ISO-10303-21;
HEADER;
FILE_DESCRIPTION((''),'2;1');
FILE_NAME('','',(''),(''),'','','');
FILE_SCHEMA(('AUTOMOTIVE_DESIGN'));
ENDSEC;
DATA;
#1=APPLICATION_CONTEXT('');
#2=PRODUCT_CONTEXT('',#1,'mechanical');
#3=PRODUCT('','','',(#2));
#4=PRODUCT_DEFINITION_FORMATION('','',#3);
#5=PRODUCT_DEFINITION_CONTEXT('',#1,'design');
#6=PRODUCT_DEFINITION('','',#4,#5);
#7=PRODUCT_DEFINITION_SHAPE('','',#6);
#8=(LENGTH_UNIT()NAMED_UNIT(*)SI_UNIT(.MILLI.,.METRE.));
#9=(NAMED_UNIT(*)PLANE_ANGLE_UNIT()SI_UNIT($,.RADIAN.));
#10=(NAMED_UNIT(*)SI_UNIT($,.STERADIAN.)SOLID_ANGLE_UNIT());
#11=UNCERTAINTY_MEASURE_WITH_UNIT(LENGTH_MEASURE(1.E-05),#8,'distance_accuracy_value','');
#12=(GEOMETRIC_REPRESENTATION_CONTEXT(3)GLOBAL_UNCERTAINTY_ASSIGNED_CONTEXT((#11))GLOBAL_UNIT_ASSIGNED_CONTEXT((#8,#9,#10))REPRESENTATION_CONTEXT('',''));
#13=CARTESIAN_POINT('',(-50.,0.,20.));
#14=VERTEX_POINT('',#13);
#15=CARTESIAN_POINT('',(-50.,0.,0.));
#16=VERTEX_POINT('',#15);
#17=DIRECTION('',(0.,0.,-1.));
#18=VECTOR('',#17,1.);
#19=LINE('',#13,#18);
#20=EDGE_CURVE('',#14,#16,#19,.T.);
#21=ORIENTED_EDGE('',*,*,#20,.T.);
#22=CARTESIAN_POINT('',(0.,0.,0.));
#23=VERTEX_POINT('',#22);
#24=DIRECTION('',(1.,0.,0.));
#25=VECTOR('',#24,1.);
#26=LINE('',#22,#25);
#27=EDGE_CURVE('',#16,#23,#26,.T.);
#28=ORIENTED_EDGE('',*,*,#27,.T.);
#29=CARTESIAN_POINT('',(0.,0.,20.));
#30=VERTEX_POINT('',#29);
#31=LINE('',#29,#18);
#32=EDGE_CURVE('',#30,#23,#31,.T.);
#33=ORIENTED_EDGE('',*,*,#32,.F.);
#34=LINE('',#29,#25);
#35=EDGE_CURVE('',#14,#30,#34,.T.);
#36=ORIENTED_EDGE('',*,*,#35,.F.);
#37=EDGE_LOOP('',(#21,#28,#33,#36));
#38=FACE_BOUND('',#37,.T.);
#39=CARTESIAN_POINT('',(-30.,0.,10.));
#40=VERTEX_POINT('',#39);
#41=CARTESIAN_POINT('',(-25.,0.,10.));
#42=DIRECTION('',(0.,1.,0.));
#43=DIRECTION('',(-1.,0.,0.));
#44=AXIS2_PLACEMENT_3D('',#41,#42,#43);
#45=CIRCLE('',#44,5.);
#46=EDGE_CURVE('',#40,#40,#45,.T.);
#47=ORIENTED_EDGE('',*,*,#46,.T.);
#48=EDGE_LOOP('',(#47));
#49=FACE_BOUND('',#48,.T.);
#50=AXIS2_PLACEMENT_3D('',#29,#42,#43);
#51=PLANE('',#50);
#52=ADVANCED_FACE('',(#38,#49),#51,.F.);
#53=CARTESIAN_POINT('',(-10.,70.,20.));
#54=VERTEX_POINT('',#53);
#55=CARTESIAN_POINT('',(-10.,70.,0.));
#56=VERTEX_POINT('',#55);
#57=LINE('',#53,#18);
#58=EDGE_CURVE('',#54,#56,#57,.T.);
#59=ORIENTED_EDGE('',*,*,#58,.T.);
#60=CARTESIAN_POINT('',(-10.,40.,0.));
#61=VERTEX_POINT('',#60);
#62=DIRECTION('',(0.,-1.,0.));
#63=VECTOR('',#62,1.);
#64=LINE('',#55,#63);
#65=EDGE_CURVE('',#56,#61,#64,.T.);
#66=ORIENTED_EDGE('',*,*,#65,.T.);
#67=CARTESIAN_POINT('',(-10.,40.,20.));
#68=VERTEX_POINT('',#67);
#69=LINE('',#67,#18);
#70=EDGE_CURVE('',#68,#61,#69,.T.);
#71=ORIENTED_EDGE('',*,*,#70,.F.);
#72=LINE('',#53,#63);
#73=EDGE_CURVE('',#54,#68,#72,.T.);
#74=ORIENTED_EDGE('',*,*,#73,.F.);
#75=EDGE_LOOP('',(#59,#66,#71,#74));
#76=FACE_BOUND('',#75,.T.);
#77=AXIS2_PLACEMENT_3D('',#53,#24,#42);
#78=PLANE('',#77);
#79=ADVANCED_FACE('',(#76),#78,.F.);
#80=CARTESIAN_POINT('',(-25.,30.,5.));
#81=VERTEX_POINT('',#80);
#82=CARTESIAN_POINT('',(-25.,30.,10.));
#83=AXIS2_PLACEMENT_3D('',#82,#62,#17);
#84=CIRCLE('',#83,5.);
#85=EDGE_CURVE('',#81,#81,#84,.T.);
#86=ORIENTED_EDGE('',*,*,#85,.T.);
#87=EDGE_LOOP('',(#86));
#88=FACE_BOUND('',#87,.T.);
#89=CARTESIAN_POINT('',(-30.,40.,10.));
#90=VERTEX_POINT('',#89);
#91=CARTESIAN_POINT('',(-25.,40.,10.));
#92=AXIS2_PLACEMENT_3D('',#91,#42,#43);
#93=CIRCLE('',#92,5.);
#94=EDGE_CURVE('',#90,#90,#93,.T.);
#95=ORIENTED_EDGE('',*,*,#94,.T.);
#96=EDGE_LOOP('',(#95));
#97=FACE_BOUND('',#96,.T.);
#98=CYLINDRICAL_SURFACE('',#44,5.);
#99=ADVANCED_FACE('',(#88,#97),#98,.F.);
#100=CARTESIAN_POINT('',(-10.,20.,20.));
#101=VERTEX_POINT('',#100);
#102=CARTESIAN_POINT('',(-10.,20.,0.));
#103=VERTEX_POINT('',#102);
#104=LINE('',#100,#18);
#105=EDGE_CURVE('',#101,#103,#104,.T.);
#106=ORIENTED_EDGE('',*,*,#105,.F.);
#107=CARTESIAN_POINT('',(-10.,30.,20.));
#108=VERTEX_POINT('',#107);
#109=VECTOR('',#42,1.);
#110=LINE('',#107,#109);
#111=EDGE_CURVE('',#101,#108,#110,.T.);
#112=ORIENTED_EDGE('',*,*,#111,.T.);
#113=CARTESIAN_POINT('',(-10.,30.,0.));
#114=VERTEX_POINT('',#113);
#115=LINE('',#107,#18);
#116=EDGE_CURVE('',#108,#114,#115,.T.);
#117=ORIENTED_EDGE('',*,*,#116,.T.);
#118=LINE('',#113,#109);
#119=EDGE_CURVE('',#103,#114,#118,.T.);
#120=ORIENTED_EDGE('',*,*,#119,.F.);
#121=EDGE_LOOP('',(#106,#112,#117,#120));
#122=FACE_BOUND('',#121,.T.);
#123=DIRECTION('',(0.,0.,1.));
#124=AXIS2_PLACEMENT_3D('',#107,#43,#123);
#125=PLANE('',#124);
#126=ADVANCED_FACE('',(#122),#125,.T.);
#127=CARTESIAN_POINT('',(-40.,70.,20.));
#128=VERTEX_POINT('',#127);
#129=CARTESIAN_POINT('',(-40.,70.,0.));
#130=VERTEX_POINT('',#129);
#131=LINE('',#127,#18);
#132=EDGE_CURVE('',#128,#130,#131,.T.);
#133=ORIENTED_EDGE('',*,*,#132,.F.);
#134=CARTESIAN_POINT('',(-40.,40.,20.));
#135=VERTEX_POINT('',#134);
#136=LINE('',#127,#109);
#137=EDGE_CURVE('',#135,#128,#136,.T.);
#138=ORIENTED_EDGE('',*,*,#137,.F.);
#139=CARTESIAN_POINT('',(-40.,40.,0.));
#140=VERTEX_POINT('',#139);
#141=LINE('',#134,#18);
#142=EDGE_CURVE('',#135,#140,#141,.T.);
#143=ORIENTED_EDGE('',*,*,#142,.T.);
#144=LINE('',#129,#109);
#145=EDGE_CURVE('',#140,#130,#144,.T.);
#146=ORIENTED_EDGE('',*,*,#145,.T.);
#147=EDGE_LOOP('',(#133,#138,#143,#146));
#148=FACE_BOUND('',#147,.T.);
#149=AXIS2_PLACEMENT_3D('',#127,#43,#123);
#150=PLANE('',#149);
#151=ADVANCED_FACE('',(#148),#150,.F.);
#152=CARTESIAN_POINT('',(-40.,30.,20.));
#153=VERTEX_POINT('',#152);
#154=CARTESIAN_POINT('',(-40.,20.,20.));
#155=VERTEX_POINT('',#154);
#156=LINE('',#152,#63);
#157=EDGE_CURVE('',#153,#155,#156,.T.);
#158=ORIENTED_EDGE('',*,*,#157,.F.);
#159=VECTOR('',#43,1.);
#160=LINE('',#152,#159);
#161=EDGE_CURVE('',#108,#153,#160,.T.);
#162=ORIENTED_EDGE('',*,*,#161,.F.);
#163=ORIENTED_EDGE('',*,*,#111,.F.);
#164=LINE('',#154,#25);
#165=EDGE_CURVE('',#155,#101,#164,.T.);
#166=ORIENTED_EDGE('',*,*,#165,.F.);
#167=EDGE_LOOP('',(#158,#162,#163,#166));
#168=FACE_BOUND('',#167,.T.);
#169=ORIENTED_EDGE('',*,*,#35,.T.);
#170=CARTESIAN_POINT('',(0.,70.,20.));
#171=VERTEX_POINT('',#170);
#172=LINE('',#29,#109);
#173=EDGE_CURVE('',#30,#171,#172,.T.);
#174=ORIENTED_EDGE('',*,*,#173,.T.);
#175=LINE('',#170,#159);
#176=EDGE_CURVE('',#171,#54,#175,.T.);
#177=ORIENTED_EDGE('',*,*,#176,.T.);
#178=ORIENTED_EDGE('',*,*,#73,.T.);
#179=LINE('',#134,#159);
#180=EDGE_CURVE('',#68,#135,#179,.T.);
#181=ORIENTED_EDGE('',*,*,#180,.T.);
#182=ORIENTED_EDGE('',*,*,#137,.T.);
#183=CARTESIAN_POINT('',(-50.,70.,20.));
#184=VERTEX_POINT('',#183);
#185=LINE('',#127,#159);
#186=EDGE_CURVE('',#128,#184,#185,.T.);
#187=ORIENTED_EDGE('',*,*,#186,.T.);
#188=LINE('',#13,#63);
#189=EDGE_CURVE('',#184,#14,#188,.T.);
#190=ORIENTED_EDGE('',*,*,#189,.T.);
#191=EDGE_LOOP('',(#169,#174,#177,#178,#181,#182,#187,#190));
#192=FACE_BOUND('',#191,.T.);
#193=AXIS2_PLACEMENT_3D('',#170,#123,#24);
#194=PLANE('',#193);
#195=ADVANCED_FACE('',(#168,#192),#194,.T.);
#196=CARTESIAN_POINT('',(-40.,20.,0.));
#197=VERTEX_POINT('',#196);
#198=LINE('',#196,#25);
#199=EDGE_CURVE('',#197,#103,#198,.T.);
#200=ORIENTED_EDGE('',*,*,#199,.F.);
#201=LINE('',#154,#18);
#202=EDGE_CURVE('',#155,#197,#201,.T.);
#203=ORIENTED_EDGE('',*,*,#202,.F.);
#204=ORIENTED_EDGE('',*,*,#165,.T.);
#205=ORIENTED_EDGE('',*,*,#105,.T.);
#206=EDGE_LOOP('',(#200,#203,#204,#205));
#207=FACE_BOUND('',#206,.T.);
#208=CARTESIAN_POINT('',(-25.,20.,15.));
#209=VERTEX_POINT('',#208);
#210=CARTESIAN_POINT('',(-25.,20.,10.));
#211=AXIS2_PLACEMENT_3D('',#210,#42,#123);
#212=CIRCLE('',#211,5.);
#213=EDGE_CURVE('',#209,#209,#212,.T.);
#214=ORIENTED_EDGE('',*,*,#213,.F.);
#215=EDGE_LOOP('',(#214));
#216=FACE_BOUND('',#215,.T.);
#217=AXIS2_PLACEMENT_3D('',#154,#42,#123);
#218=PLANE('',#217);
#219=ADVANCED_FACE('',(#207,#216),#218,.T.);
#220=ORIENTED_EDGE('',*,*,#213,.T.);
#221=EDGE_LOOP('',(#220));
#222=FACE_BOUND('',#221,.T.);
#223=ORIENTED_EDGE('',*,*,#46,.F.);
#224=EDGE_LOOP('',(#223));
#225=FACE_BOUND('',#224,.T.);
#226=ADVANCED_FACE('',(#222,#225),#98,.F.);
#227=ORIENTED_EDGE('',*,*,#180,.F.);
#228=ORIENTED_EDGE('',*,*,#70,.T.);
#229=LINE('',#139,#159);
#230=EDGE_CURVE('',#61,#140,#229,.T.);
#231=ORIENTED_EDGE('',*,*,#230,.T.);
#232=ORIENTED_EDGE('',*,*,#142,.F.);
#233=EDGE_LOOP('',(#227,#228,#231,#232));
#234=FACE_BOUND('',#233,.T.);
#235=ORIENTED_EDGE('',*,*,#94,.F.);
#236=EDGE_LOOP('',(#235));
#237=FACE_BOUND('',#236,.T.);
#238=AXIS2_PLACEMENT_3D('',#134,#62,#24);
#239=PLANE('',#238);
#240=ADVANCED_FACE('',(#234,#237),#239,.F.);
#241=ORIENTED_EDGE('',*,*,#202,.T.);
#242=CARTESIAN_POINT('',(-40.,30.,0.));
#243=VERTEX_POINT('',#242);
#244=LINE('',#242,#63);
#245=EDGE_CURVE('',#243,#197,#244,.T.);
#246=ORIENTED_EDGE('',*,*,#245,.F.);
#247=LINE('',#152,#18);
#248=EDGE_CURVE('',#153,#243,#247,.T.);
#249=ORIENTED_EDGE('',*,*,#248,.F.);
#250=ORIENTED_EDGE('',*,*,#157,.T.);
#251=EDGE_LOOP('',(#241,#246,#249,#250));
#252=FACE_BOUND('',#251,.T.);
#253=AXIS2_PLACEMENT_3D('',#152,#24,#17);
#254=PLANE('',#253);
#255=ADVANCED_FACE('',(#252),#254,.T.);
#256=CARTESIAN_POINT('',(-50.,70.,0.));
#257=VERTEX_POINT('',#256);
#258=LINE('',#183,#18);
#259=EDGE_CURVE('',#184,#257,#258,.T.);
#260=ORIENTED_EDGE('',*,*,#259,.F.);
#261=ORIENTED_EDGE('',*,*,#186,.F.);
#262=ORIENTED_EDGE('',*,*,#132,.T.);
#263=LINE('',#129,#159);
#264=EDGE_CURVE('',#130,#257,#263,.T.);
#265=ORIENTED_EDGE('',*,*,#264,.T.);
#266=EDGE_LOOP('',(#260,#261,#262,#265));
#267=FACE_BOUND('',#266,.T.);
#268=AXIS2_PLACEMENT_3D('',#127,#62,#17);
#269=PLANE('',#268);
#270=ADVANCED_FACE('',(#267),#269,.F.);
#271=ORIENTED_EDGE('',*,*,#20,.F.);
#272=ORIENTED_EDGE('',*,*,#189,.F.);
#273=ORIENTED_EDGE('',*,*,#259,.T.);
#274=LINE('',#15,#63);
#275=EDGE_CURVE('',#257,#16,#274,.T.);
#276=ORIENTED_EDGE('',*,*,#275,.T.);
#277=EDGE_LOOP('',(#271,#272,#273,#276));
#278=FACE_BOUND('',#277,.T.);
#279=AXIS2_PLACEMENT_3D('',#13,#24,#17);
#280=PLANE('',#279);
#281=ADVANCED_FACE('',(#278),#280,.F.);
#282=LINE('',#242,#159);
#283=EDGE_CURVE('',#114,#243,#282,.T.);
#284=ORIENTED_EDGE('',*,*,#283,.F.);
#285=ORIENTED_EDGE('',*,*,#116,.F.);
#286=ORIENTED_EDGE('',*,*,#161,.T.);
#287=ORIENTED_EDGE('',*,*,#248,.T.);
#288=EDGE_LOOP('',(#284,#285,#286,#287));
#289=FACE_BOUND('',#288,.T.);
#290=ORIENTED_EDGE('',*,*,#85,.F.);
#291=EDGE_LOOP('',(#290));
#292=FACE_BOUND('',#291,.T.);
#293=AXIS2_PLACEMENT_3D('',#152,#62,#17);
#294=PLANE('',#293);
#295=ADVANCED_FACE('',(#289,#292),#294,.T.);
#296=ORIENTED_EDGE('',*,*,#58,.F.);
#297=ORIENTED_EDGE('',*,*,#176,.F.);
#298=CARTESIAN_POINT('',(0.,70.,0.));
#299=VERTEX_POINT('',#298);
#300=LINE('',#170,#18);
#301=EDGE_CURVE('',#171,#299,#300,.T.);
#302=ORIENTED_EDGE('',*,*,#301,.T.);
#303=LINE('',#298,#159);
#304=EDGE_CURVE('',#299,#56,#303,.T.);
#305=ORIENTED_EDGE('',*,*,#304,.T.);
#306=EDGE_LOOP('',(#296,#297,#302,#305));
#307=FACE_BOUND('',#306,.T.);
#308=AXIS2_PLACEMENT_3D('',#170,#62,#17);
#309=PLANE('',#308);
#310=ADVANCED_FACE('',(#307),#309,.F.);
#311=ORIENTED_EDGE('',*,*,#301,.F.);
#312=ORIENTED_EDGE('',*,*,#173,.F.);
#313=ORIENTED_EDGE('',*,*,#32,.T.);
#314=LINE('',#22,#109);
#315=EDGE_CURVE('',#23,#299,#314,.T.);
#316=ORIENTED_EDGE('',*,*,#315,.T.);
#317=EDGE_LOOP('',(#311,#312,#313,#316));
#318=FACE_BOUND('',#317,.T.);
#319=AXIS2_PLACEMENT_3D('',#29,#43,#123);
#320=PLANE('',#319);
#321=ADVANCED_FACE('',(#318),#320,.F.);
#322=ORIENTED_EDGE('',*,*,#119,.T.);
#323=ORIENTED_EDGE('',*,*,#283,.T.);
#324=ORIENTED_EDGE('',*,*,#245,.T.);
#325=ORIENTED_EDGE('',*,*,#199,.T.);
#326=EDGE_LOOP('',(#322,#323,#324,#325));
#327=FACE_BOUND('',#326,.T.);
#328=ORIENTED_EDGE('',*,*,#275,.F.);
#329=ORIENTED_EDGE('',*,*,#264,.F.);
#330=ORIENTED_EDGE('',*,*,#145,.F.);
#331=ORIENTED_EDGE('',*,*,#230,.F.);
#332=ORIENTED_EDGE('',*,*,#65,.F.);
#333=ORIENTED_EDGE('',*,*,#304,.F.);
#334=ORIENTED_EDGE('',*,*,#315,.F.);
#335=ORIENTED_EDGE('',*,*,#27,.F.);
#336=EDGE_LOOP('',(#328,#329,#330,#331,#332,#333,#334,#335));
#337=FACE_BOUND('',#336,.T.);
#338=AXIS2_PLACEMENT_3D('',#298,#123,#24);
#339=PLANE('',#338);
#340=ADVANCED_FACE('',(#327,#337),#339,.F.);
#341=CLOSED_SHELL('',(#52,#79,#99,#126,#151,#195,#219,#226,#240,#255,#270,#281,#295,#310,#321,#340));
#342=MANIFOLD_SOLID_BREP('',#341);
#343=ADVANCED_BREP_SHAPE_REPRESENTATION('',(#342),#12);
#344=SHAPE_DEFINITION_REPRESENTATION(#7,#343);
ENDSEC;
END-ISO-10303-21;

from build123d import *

# Parameters (mm, degrees)
ESBO_O1_W                = 30
ESBO_O1_H                = 10
RESSALTO_EXTRUS_O1_DEPTH = 20
ESBO_O2_R                = 5
CORTE_EXTRUS_O1_DEPTH    = 41


with BuildPart() as part:
    # Esboço1 → Ressalto-extrusão1 (new body)
    with BuildSketch(Plane.XY):
        Polygon((-40, 70), (-50, 70), (-50, 0), (0, 0), (0, 70), (-10, 70), (-10, 40), (-40, 40), align=None)
        with Locations((-25, 25)):
            Rectangle(ESBO_O1_W, ESBO_O1_H, mode=Mode.SUBTRACT)
    extrude(amount=RESSALTO_EXTRUS_O1_DEPTH)

    # Esboço2 → Corte-extrusão1 (cut, through all)
    with BuildSketch(Plane(origin=(0, 40, 0), x_dir=(1, 0, 0), z_dir=(0, 1, 0))):
        with Locations(Location((-25, -10, 0), (0, 0, 180))):  # turned: the seam where the file's is
            Circle(ESBO_O2_R)
    extrude(amount=-CORTE_EXTRUS_O1_DEPTH, mode=Mode.SUBTRACT)


solid = part.part
